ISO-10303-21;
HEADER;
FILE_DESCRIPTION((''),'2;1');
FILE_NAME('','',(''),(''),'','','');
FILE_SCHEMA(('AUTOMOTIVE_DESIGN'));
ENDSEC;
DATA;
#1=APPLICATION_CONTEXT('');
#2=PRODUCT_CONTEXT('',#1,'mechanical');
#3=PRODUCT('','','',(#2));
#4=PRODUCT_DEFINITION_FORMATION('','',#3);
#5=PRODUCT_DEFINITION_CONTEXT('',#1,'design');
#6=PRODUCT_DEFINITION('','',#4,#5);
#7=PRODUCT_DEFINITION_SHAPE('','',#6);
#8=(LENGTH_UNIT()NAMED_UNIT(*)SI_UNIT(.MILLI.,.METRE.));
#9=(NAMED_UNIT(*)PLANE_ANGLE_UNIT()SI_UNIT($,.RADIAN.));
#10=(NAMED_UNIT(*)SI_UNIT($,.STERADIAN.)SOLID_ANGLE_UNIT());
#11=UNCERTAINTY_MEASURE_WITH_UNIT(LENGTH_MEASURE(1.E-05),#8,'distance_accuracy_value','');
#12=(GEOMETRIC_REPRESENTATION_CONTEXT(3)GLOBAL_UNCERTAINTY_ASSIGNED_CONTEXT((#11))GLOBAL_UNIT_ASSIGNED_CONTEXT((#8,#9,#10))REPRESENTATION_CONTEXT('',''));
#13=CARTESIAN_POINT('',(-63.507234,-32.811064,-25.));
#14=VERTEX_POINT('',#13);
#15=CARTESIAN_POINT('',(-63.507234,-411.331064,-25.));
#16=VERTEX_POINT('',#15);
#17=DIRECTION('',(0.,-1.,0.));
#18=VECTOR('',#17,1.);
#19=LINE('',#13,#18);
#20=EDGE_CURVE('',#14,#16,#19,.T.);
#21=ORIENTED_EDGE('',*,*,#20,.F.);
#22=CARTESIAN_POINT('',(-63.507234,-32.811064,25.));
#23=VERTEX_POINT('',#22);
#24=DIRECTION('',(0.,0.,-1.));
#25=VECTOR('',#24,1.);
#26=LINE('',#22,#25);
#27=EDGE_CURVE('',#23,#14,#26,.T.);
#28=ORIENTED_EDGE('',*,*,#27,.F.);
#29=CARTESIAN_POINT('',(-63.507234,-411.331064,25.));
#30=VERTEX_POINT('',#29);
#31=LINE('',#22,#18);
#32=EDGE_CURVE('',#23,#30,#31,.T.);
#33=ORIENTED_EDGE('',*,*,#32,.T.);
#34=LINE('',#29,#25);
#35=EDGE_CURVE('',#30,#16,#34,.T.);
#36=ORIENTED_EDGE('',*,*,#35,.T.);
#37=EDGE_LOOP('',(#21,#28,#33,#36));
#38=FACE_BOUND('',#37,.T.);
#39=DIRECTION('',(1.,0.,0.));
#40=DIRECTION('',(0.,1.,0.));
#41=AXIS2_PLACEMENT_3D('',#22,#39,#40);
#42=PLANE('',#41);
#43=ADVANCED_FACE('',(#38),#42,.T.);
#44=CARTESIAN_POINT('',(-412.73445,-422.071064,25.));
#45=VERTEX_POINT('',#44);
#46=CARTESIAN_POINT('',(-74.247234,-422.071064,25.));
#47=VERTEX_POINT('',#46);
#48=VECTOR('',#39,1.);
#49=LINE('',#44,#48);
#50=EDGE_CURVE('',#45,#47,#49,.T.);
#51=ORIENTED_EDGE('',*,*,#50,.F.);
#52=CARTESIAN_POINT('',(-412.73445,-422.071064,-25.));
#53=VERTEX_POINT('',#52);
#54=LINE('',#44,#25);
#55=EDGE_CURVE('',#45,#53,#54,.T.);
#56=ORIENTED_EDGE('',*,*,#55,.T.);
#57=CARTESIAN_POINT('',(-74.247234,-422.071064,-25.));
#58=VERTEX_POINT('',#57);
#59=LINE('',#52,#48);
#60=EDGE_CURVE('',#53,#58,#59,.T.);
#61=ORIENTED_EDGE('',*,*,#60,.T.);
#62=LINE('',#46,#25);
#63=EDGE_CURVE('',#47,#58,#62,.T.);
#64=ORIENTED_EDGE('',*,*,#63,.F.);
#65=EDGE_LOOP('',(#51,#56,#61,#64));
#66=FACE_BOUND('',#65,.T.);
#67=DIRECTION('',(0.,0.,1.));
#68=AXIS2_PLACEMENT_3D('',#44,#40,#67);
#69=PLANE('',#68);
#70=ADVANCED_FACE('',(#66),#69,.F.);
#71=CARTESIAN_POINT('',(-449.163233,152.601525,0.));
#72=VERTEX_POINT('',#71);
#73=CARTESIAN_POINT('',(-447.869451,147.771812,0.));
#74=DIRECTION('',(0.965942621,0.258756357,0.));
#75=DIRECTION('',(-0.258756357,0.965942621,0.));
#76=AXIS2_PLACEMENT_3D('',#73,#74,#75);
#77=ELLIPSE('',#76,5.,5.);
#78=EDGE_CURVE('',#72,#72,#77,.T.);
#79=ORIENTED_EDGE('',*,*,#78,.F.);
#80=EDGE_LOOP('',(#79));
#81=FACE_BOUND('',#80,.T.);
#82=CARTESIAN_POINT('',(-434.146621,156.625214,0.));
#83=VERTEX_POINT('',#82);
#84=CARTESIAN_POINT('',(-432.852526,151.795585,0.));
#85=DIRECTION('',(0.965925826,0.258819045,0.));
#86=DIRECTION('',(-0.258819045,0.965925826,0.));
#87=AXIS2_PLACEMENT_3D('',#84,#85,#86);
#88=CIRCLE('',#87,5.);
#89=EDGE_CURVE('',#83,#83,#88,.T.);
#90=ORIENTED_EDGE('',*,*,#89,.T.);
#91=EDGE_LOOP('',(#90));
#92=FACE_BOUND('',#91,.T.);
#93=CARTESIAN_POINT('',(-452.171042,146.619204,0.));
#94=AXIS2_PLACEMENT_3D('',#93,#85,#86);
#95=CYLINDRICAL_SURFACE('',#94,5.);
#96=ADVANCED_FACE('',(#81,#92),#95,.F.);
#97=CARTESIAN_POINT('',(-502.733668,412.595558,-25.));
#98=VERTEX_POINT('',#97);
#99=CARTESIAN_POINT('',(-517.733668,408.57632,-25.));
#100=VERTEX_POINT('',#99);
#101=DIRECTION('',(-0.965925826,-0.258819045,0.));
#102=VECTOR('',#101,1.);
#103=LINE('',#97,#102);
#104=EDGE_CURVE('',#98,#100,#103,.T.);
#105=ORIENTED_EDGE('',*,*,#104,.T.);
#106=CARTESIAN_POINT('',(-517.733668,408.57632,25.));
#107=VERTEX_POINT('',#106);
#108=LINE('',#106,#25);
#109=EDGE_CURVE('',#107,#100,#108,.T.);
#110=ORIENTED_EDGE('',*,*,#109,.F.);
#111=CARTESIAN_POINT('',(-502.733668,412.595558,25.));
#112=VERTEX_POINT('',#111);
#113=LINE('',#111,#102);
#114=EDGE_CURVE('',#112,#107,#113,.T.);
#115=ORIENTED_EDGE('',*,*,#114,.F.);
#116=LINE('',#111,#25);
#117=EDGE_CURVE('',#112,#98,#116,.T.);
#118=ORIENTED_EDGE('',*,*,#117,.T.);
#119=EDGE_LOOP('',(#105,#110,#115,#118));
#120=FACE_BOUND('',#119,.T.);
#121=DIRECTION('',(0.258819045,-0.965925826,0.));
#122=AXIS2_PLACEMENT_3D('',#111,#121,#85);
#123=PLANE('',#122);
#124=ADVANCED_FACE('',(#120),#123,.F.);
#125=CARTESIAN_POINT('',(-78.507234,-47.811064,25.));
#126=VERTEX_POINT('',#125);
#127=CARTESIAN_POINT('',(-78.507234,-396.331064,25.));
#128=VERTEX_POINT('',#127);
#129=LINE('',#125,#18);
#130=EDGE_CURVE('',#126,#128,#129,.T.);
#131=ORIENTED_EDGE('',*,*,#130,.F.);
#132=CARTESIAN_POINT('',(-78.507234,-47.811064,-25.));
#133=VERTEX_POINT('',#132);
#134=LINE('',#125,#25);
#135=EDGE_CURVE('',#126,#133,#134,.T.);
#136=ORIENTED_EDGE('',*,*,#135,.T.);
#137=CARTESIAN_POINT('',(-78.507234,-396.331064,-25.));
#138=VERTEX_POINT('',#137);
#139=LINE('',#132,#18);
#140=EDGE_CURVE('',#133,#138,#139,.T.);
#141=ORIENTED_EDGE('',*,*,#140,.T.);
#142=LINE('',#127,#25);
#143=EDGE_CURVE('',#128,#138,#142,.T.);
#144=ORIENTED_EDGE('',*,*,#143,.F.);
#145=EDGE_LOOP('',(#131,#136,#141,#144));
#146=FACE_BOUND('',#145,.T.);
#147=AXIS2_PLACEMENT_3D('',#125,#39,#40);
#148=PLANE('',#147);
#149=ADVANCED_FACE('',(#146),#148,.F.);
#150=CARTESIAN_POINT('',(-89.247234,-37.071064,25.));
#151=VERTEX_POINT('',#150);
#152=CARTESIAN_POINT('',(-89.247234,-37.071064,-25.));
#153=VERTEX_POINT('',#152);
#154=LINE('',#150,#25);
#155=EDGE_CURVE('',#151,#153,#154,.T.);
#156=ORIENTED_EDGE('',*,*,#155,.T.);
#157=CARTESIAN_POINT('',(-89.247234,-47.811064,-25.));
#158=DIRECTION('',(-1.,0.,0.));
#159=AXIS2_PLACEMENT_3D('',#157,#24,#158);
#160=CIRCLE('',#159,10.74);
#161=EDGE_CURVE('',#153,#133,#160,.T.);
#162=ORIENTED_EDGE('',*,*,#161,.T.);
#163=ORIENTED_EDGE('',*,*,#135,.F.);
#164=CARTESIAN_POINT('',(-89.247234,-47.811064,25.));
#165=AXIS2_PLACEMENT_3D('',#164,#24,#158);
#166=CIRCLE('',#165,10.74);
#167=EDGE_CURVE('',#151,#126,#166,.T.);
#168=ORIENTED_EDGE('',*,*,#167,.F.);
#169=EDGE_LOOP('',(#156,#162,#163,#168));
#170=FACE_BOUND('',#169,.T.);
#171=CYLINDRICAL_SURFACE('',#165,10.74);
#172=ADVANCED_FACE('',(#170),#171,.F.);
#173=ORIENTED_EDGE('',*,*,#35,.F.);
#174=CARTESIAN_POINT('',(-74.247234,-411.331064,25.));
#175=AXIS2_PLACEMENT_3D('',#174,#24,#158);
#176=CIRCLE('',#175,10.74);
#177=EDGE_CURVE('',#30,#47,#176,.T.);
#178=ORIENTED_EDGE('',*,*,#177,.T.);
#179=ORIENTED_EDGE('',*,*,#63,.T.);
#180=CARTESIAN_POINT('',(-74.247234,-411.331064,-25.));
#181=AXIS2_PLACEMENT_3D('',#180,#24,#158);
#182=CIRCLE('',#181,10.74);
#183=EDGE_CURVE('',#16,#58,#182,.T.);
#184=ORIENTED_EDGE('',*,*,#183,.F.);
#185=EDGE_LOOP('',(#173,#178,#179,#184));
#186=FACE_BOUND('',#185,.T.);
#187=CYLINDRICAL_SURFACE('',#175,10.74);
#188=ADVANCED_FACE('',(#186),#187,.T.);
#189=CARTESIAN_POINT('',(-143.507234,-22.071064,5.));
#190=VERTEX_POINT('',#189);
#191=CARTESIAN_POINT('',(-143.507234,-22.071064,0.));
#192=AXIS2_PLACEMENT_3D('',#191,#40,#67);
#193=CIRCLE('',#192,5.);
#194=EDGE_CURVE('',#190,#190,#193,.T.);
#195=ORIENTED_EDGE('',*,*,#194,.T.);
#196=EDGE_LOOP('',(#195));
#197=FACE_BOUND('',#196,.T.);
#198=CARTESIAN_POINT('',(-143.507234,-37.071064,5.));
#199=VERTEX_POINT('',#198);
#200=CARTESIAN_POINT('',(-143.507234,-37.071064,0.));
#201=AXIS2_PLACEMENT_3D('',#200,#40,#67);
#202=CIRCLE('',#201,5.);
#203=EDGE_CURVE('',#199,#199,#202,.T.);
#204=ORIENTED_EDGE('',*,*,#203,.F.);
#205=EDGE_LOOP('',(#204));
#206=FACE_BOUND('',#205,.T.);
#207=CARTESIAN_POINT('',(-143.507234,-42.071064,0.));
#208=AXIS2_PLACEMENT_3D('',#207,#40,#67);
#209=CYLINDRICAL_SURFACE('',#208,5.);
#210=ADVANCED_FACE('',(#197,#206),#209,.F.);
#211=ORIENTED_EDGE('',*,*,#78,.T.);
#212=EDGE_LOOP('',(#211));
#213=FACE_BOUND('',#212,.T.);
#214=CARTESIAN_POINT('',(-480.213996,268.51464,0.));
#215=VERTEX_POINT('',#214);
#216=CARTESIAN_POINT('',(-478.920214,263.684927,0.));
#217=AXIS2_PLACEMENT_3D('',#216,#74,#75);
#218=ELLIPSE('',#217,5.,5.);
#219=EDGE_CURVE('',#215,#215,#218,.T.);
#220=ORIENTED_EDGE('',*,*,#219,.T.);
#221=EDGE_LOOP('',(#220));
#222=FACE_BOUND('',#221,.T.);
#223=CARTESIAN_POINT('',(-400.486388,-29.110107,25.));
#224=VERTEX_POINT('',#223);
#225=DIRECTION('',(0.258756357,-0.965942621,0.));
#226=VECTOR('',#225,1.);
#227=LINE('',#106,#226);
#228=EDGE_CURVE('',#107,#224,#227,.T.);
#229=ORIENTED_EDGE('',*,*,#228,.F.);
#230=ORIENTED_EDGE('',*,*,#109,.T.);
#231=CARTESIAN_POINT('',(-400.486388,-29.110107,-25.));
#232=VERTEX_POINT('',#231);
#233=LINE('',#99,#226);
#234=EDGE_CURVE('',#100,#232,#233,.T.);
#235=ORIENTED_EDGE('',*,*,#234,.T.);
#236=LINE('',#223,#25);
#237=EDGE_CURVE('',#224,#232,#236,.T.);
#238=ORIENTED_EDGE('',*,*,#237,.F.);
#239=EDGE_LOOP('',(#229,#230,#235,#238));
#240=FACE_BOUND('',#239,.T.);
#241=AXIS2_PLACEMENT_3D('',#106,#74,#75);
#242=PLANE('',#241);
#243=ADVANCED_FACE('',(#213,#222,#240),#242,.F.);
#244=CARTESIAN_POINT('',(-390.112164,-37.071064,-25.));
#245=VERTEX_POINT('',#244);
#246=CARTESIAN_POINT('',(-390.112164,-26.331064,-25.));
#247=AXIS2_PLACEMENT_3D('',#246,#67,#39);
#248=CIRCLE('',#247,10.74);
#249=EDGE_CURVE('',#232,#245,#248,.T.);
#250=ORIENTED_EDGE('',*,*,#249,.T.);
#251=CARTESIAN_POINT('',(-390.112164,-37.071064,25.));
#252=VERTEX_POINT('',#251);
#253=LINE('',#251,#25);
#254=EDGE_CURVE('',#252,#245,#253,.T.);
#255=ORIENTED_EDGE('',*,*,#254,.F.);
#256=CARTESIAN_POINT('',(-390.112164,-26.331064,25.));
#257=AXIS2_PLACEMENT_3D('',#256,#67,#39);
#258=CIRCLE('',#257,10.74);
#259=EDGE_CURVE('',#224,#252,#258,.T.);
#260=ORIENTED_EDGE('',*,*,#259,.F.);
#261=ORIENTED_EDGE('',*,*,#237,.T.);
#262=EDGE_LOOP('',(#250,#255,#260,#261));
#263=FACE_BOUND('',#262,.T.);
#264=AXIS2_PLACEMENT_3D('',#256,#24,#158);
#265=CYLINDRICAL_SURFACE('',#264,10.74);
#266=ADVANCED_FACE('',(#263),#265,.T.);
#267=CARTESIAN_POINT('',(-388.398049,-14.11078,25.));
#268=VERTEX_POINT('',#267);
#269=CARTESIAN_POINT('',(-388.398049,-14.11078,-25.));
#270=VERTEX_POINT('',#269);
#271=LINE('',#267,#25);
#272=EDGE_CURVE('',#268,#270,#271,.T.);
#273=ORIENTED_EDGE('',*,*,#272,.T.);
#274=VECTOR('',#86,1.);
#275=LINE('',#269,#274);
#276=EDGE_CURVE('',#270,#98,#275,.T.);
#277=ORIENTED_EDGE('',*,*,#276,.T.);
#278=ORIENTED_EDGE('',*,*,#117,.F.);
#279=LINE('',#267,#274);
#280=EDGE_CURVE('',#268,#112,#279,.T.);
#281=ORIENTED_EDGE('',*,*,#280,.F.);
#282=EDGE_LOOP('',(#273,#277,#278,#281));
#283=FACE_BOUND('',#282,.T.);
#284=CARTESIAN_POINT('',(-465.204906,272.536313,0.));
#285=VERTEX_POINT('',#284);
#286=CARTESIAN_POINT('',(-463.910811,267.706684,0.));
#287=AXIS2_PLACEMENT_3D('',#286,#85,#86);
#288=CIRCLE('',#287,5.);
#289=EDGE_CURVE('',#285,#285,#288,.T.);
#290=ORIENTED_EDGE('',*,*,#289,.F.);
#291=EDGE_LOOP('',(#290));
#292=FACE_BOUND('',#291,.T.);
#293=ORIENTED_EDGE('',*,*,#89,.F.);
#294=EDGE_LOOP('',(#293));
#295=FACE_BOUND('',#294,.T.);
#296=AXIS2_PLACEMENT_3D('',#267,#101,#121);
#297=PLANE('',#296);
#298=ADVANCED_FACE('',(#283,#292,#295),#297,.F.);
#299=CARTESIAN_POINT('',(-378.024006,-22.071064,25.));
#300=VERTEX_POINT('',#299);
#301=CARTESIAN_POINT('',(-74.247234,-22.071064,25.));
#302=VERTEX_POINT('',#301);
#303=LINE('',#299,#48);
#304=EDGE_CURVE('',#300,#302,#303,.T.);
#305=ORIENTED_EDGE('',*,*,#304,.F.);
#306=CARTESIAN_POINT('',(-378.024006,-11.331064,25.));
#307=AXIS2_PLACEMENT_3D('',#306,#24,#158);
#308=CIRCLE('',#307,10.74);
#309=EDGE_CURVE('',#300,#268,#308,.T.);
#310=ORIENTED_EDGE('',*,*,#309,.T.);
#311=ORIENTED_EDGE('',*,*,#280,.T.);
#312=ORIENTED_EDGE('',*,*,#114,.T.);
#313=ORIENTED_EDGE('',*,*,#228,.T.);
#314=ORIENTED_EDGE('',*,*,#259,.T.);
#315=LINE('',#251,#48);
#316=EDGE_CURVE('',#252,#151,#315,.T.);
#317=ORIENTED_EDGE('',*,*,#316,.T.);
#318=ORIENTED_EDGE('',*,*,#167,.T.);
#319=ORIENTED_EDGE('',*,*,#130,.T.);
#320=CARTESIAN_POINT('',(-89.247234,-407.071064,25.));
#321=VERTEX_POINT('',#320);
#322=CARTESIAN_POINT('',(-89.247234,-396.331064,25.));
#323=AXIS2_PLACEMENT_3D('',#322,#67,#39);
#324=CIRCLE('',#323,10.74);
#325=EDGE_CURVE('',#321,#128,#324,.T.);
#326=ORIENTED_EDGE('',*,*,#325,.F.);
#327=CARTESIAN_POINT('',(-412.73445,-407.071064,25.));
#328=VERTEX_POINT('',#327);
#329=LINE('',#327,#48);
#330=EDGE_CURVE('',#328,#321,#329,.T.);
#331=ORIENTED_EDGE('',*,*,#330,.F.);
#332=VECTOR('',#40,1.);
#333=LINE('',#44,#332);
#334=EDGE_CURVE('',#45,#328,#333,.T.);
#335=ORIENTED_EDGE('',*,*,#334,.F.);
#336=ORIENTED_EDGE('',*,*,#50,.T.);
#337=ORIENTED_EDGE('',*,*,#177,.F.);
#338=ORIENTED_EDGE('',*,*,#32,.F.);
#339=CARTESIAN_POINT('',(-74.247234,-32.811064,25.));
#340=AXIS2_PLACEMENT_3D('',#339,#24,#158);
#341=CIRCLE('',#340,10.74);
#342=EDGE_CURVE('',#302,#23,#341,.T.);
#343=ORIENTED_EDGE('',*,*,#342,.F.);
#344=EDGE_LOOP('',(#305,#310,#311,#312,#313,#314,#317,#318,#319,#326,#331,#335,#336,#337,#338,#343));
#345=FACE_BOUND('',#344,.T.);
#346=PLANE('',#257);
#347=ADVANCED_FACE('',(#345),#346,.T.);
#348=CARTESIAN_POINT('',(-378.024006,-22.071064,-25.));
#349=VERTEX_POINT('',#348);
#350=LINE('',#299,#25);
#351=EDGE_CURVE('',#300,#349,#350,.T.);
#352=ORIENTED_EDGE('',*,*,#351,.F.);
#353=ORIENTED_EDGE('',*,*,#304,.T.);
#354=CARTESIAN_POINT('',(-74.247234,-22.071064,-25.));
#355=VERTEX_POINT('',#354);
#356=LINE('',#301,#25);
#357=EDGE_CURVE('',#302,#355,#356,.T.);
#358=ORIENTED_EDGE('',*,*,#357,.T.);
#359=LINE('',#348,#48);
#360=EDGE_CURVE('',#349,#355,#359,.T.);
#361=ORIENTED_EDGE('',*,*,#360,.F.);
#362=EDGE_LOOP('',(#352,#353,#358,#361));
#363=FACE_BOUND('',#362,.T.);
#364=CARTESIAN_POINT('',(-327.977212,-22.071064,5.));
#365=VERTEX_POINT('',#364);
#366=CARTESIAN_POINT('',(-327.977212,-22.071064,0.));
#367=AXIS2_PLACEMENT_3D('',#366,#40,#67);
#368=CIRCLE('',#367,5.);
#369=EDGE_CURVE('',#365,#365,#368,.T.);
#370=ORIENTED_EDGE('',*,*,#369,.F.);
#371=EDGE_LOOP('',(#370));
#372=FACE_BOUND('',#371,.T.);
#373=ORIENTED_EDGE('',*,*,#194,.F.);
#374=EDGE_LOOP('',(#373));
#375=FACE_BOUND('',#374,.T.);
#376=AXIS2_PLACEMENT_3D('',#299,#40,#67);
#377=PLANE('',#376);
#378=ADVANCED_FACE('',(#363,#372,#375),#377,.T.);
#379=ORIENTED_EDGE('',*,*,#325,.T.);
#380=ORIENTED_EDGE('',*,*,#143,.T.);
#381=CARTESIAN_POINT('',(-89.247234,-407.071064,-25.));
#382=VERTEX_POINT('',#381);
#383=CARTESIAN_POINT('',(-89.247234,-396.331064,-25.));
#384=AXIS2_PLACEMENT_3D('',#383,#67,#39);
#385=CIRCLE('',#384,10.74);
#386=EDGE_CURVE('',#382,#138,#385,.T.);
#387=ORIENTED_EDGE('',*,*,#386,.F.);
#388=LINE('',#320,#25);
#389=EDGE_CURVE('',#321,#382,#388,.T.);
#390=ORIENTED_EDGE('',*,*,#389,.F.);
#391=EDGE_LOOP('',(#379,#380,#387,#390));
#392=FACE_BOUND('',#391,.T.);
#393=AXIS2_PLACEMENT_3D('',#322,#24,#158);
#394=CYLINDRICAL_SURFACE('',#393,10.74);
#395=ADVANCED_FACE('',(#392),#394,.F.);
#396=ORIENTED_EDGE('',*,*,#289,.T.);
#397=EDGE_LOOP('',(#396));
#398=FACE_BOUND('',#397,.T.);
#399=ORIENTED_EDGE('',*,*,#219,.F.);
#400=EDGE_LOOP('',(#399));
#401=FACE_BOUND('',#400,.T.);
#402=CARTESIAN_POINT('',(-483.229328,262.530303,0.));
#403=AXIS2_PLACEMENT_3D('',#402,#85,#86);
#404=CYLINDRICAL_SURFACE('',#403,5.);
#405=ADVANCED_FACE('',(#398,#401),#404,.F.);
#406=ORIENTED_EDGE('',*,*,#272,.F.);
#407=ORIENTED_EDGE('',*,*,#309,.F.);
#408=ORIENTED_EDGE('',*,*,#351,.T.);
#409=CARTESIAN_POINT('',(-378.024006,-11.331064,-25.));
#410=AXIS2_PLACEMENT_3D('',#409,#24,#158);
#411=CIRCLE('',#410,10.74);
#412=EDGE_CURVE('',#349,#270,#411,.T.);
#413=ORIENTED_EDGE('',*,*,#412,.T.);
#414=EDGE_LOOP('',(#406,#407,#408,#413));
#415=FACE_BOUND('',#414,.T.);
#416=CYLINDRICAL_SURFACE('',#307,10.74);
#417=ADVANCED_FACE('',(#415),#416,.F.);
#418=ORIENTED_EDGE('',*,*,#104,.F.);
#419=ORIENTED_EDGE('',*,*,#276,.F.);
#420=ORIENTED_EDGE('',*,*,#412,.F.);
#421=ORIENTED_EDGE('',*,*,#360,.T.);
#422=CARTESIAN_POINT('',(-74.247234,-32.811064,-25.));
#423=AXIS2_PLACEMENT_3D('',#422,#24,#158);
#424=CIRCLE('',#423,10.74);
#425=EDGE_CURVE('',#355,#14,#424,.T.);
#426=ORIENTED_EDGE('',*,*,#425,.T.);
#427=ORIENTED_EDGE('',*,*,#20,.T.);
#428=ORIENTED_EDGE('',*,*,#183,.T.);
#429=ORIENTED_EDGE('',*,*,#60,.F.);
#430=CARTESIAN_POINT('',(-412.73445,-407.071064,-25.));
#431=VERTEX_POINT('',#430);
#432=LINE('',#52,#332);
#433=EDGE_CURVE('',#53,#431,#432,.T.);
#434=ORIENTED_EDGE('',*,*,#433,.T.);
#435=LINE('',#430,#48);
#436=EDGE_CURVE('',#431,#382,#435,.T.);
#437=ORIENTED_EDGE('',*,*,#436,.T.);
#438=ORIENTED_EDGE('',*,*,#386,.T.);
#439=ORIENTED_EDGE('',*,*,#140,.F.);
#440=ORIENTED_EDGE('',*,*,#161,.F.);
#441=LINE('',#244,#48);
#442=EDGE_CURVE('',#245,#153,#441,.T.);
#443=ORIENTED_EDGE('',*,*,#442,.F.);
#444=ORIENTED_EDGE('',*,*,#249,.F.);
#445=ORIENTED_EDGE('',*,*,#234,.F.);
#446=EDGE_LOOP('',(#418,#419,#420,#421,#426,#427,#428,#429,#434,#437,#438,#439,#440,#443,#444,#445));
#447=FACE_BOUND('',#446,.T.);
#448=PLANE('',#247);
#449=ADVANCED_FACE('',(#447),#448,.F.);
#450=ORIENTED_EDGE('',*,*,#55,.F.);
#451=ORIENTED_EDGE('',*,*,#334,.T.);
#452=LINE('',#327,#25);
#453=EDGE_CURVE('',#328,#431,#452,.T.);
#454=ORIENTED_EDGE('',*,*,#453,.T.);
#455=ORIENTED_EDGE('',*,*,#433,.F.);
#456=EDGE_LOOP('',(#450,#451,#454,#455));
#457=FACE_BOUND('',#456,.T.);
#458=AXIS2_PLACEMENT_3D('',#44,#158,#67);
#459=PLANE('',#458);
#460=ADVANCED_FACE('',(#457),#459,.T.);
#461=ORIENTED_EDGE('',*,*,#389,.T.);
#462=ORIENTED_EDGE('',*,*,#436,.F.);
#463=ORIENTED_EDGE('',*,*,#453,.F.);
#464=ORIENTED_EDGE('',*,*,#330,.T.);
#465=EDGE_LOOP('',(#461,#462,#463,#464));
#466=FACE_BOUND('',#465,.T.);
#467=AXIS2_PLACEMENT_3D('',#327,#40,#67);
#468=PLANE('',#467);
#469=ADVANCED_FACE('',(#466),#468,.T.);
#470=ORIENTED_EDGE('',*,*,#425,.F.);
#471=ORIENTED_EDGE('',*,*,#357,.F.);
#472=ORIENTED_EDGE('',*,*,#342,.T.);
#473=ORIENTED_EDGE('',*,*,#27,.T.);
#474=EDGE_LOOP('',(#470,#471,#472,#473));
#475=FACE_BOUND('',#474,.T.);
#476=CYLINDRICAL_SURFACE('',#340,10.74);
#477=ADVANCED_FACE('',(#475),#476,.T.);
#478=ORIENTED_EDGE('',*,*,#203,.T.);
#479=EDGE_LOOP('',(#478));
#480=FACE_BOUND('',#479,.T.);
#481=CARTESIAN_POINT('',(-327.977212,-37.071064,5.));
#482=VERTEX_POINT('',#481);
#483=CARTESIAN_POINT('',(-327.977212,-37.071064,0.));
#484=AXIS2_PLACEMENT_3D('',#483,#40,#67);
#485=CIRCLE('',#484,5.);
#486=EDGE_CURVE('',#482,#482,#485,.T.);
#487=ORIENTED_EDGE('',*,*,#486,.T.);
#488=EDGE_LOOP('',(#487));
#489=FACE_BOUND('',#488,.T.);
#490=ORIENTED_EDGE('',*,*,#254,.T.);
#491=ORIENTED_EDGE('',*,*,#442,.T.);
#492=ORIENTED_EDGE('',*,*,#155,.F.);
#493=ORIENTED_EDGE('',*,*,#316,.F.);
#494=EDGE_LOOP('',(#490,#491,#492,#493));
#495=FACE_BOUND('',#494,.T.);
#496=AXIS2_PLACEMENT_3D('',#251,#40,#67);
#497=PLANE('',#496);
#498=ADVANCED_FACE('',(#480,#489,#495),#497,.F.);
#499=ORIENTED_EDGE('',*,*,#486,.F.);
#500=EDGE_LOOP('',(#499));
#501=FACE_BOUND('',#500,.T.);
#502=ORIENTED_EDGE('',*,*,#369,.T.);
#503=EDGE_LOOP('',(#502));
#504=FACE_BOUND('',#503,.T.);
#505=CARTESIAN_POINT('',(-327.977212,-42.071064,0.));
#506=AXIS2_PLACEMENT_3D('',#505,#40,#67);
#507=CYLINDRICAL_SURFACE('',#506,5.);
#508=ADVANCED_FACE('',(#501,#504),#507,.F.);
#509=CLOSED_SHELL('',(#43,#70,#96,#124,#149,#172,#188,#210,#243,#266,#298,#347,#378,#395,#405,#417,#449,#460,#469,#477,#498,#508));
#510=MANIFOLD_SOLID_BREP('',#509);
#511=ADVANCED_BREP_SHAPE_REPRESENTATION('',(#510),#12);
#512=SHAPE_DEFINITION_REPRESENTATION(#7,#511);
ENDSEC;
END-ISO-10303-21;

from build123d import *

# Parameters (mm, degrees)
BOSS_EXTRUDE1_DEPTH = 25
SKETCH3_R           = 5
CUT_EXTRUDE1_DEPTH  = 20
SKETCH2_R           = 5
CUT_EXTRUDE2_DEPTH  = 20


with BuildPart() as part:
    # Sketch1 → Boss-Extrude1 (new body, symmetric)
    with BuildSketch(Plane.XY):
        with BuildLine():
            Line((-388.398049097, -14.110780444), (-502.733667869, 412.59555793))
            Line((-502.733667869, 412.59555793), (-517.733667869, 408.576320044))
            Line((-517.733667869, 408.576320044), (-400.48638755, -29.110107171))
            ThreePointArc((-400.48638755, -29.110107171), (-396.65053803, -34.851466611), (-390.112163796, -37.0710639))
            Line((-390.112163796, -37.0710639), (-89.247234395, -37.0710639))
            ThreePointArc((-89.247234395, -37.0710639), (-81.652907565, -40.21673707), (-78.507234395, -47.8110639))
            Line((-78.507234395, -47.8110639), (-78.507234395, -396.3310639))
            ThreePointArc((-78.507234395, -396.3310639), (-81.652907565, -403.92539073), (-89.247234395, -407.0710639))
            Line((-89.247234395, -407.0710639), (-412.734449588, -407.0710639))
            Line((-412.734449588, -407.0710639), (-412.734449588, -422.0710639))
            Line((-412.734449588, -422.0710639), (-74.247234395, -422.0710639))
            ThreePointArc((-74.247234395, -422.0710639), (-66.652907565, -418.92539073), (-63.507234395, -411.3310639))
            Line((-63.507234395, -411.3310639), (-63.507234395, -32.8110639))
            ThreePointArc((-63.507234395, -32.8110639), (-66.652907565, -25.21673707), (-74.247234395, -22.0710639))
            Line((-74.247234395, -22.0710639), (-378.024005722, -22.0710639))
            ThreePointArc((-378.024005722, -22.0710639), (-384.56210347, -19.851678775), (-388.398049097, -14.110780444))
        make_face()
    extrude(amount=BOSS_EXTRUDE1_DEPTH, both=True)

    # Sketch3 → Cut-Extrude1 (cut)
    with BuildSketch(Plane(origin=(0, -22.0710639, 0), x_dir=(1, 0, 0), z_dir=(0, 1, 0))):
        with Locations((-327.977212353, 0)):
            Circle(SKETCH3_R)
        with Locations((-143.507234395, 0)):
            Circle(SKETCH3_R)
    extrude(amount=-CUT_EXTRUDE1_DEPTH, mode=Mode.SUBTRACT)

    # Sketch2 → Cut-Extrude2 (cut)
    with BuildSketch(Plane(origin=(-365.908008308, -98.04475533, 0), x_dir=(0, 0, -1), z_dir=(0.965925826, 0.258819045, 0))):
        with Locations((0, 378.653753076)):
            Circle(SKETCH2_R)
        with Locations((0, 258.653753076)):
            Circle(SKETCH2_R)
    extrude(amount=-CUT_EXTRUDE2_DEPTH, mode=Mode.SUBTRACT)


solid = part.part
